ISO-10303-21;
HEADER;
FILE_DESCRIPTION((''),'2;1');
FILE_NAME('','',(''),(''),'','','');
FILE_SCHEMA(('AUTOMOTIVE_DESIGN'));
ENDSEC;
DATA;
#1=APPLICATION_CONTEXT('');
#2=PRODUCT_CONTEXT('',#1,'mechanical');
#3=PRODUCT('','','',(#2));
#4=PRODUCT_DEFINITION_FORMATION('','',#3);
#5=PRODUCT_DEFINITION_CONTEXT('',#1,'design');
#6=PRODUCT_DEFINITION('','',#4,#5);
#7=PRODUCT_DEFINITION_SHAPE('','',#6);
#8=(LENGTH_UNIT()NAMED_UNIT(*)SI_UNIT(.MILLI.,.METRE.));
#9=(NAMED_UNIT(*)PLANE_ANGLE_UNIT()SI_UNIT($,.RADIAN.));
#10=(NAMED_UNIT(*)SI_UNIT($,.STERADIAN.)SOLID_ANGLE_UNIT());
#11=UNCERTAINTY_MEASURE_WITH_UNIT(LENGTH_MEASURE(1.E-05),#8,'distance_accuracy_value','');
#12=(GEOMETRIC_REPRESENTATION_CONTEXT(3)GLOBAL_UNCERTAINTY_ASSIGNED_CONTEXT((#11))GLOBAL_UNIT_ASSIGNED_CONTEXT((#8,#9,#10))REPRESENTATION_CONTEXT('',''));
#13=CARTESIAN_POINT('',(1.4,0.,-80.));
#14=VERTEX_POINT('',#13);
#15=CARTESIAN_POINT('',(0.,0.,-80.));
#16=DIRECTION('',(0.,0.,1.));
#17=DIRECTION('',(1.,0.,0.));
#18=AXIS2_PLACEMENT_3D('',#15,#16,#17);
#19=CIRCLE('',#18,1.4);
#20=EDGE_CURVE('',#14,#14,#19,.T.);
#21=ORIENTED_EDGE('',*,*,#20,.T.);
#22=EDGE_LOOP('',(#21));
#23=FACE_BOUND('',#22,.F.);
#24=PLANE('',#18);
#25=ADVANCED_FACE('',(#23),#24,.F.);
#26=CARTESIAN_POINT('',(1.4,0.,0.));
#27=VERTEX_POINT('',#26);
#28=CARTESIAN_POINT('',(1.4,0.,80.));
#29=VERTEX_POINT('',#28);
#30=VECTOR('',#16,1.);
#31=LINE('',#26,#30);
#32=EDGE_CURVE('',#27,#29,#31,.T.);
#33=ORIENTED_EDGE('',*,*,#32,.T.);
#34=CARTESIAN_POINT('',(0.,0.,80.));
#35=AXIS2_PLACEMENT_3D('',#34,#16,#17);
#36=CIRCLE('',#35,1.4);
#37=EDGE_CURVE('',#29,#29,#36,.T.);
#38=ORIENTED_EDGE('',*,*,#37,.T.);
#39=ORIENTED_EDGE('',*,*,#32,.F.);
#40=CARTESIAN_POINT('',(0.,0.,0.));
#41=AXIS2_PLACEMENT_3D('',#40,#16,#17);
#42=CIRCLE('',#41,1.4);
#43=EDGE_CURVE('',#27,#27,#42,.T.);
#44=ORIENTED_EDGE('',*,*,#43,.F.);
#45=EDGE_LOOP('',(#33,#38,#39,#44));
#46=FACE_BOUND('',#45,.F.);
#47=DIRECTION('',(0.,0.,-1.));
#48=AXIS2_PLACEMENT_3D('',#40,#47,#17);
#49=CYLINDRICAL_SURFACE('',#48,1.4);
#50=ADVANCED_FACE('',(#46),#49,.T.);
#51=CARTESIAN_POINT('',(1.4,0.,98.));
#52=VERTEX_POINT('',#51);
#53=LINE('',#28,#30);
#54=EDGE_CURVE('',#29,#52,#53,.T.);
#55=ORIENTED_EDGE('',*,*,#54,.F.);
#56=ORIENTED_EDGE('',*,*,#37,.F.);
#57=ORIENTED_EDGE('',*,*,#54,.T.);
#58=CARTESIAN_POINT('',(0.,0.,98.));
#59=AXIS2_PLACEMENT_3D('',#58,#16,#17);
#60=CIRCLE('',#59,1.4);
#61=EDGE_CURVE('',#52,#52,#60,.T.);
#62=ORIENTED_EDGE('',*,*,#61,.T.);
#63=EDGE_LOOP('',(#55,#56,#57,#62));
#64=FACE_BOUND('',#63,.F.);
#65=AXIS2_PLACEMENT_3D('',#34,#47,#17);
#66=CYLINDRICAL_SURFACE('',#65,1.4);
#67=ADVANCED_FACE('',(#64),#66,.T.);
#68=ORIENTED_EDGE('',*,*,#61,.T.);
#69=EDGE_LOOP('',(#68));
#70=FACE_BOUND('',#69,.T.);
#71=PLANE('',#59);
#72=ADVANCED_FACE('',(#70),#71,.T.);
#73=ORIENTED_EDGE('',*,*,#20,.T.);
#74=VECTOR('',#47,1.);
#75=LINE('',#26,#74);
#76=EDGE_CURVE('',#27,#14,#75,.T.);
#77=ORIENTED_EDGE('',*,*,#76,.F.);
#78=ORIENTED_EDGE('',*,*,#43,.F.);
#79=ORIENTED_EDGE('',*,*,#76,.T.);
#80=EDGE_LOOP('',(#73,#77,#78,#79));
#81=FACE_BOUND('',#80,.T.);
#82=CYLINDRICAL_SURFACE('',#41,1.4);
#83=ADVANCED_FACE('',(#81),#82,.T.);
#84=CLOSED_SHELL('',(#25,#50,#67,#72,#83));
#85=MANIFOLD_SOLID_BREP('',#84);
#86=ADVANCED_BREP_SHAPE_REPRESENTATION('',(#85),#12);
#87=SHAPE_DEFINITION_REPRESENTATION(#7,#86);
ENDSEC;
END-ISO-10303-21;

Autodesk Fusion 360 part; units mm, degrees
sketch "草图1" plane through (0, 0, 0) normal (1, 0, 0) x (0, 0, -1)
sketch "草图2" plane through (0, 0, 0) normal (0, 0, 1) x (1, 0, 0)
  circle A0 centre (0, 0) radius 1.4
  dimension "d2" = 2.8
extrude "拉伸1" add sketch "草图2" along normal mid plane 160
extrude "拉伸2" add 1 faces at (0.5498, -0.3174, 80) along direction (0, 0, 1) blind 18
